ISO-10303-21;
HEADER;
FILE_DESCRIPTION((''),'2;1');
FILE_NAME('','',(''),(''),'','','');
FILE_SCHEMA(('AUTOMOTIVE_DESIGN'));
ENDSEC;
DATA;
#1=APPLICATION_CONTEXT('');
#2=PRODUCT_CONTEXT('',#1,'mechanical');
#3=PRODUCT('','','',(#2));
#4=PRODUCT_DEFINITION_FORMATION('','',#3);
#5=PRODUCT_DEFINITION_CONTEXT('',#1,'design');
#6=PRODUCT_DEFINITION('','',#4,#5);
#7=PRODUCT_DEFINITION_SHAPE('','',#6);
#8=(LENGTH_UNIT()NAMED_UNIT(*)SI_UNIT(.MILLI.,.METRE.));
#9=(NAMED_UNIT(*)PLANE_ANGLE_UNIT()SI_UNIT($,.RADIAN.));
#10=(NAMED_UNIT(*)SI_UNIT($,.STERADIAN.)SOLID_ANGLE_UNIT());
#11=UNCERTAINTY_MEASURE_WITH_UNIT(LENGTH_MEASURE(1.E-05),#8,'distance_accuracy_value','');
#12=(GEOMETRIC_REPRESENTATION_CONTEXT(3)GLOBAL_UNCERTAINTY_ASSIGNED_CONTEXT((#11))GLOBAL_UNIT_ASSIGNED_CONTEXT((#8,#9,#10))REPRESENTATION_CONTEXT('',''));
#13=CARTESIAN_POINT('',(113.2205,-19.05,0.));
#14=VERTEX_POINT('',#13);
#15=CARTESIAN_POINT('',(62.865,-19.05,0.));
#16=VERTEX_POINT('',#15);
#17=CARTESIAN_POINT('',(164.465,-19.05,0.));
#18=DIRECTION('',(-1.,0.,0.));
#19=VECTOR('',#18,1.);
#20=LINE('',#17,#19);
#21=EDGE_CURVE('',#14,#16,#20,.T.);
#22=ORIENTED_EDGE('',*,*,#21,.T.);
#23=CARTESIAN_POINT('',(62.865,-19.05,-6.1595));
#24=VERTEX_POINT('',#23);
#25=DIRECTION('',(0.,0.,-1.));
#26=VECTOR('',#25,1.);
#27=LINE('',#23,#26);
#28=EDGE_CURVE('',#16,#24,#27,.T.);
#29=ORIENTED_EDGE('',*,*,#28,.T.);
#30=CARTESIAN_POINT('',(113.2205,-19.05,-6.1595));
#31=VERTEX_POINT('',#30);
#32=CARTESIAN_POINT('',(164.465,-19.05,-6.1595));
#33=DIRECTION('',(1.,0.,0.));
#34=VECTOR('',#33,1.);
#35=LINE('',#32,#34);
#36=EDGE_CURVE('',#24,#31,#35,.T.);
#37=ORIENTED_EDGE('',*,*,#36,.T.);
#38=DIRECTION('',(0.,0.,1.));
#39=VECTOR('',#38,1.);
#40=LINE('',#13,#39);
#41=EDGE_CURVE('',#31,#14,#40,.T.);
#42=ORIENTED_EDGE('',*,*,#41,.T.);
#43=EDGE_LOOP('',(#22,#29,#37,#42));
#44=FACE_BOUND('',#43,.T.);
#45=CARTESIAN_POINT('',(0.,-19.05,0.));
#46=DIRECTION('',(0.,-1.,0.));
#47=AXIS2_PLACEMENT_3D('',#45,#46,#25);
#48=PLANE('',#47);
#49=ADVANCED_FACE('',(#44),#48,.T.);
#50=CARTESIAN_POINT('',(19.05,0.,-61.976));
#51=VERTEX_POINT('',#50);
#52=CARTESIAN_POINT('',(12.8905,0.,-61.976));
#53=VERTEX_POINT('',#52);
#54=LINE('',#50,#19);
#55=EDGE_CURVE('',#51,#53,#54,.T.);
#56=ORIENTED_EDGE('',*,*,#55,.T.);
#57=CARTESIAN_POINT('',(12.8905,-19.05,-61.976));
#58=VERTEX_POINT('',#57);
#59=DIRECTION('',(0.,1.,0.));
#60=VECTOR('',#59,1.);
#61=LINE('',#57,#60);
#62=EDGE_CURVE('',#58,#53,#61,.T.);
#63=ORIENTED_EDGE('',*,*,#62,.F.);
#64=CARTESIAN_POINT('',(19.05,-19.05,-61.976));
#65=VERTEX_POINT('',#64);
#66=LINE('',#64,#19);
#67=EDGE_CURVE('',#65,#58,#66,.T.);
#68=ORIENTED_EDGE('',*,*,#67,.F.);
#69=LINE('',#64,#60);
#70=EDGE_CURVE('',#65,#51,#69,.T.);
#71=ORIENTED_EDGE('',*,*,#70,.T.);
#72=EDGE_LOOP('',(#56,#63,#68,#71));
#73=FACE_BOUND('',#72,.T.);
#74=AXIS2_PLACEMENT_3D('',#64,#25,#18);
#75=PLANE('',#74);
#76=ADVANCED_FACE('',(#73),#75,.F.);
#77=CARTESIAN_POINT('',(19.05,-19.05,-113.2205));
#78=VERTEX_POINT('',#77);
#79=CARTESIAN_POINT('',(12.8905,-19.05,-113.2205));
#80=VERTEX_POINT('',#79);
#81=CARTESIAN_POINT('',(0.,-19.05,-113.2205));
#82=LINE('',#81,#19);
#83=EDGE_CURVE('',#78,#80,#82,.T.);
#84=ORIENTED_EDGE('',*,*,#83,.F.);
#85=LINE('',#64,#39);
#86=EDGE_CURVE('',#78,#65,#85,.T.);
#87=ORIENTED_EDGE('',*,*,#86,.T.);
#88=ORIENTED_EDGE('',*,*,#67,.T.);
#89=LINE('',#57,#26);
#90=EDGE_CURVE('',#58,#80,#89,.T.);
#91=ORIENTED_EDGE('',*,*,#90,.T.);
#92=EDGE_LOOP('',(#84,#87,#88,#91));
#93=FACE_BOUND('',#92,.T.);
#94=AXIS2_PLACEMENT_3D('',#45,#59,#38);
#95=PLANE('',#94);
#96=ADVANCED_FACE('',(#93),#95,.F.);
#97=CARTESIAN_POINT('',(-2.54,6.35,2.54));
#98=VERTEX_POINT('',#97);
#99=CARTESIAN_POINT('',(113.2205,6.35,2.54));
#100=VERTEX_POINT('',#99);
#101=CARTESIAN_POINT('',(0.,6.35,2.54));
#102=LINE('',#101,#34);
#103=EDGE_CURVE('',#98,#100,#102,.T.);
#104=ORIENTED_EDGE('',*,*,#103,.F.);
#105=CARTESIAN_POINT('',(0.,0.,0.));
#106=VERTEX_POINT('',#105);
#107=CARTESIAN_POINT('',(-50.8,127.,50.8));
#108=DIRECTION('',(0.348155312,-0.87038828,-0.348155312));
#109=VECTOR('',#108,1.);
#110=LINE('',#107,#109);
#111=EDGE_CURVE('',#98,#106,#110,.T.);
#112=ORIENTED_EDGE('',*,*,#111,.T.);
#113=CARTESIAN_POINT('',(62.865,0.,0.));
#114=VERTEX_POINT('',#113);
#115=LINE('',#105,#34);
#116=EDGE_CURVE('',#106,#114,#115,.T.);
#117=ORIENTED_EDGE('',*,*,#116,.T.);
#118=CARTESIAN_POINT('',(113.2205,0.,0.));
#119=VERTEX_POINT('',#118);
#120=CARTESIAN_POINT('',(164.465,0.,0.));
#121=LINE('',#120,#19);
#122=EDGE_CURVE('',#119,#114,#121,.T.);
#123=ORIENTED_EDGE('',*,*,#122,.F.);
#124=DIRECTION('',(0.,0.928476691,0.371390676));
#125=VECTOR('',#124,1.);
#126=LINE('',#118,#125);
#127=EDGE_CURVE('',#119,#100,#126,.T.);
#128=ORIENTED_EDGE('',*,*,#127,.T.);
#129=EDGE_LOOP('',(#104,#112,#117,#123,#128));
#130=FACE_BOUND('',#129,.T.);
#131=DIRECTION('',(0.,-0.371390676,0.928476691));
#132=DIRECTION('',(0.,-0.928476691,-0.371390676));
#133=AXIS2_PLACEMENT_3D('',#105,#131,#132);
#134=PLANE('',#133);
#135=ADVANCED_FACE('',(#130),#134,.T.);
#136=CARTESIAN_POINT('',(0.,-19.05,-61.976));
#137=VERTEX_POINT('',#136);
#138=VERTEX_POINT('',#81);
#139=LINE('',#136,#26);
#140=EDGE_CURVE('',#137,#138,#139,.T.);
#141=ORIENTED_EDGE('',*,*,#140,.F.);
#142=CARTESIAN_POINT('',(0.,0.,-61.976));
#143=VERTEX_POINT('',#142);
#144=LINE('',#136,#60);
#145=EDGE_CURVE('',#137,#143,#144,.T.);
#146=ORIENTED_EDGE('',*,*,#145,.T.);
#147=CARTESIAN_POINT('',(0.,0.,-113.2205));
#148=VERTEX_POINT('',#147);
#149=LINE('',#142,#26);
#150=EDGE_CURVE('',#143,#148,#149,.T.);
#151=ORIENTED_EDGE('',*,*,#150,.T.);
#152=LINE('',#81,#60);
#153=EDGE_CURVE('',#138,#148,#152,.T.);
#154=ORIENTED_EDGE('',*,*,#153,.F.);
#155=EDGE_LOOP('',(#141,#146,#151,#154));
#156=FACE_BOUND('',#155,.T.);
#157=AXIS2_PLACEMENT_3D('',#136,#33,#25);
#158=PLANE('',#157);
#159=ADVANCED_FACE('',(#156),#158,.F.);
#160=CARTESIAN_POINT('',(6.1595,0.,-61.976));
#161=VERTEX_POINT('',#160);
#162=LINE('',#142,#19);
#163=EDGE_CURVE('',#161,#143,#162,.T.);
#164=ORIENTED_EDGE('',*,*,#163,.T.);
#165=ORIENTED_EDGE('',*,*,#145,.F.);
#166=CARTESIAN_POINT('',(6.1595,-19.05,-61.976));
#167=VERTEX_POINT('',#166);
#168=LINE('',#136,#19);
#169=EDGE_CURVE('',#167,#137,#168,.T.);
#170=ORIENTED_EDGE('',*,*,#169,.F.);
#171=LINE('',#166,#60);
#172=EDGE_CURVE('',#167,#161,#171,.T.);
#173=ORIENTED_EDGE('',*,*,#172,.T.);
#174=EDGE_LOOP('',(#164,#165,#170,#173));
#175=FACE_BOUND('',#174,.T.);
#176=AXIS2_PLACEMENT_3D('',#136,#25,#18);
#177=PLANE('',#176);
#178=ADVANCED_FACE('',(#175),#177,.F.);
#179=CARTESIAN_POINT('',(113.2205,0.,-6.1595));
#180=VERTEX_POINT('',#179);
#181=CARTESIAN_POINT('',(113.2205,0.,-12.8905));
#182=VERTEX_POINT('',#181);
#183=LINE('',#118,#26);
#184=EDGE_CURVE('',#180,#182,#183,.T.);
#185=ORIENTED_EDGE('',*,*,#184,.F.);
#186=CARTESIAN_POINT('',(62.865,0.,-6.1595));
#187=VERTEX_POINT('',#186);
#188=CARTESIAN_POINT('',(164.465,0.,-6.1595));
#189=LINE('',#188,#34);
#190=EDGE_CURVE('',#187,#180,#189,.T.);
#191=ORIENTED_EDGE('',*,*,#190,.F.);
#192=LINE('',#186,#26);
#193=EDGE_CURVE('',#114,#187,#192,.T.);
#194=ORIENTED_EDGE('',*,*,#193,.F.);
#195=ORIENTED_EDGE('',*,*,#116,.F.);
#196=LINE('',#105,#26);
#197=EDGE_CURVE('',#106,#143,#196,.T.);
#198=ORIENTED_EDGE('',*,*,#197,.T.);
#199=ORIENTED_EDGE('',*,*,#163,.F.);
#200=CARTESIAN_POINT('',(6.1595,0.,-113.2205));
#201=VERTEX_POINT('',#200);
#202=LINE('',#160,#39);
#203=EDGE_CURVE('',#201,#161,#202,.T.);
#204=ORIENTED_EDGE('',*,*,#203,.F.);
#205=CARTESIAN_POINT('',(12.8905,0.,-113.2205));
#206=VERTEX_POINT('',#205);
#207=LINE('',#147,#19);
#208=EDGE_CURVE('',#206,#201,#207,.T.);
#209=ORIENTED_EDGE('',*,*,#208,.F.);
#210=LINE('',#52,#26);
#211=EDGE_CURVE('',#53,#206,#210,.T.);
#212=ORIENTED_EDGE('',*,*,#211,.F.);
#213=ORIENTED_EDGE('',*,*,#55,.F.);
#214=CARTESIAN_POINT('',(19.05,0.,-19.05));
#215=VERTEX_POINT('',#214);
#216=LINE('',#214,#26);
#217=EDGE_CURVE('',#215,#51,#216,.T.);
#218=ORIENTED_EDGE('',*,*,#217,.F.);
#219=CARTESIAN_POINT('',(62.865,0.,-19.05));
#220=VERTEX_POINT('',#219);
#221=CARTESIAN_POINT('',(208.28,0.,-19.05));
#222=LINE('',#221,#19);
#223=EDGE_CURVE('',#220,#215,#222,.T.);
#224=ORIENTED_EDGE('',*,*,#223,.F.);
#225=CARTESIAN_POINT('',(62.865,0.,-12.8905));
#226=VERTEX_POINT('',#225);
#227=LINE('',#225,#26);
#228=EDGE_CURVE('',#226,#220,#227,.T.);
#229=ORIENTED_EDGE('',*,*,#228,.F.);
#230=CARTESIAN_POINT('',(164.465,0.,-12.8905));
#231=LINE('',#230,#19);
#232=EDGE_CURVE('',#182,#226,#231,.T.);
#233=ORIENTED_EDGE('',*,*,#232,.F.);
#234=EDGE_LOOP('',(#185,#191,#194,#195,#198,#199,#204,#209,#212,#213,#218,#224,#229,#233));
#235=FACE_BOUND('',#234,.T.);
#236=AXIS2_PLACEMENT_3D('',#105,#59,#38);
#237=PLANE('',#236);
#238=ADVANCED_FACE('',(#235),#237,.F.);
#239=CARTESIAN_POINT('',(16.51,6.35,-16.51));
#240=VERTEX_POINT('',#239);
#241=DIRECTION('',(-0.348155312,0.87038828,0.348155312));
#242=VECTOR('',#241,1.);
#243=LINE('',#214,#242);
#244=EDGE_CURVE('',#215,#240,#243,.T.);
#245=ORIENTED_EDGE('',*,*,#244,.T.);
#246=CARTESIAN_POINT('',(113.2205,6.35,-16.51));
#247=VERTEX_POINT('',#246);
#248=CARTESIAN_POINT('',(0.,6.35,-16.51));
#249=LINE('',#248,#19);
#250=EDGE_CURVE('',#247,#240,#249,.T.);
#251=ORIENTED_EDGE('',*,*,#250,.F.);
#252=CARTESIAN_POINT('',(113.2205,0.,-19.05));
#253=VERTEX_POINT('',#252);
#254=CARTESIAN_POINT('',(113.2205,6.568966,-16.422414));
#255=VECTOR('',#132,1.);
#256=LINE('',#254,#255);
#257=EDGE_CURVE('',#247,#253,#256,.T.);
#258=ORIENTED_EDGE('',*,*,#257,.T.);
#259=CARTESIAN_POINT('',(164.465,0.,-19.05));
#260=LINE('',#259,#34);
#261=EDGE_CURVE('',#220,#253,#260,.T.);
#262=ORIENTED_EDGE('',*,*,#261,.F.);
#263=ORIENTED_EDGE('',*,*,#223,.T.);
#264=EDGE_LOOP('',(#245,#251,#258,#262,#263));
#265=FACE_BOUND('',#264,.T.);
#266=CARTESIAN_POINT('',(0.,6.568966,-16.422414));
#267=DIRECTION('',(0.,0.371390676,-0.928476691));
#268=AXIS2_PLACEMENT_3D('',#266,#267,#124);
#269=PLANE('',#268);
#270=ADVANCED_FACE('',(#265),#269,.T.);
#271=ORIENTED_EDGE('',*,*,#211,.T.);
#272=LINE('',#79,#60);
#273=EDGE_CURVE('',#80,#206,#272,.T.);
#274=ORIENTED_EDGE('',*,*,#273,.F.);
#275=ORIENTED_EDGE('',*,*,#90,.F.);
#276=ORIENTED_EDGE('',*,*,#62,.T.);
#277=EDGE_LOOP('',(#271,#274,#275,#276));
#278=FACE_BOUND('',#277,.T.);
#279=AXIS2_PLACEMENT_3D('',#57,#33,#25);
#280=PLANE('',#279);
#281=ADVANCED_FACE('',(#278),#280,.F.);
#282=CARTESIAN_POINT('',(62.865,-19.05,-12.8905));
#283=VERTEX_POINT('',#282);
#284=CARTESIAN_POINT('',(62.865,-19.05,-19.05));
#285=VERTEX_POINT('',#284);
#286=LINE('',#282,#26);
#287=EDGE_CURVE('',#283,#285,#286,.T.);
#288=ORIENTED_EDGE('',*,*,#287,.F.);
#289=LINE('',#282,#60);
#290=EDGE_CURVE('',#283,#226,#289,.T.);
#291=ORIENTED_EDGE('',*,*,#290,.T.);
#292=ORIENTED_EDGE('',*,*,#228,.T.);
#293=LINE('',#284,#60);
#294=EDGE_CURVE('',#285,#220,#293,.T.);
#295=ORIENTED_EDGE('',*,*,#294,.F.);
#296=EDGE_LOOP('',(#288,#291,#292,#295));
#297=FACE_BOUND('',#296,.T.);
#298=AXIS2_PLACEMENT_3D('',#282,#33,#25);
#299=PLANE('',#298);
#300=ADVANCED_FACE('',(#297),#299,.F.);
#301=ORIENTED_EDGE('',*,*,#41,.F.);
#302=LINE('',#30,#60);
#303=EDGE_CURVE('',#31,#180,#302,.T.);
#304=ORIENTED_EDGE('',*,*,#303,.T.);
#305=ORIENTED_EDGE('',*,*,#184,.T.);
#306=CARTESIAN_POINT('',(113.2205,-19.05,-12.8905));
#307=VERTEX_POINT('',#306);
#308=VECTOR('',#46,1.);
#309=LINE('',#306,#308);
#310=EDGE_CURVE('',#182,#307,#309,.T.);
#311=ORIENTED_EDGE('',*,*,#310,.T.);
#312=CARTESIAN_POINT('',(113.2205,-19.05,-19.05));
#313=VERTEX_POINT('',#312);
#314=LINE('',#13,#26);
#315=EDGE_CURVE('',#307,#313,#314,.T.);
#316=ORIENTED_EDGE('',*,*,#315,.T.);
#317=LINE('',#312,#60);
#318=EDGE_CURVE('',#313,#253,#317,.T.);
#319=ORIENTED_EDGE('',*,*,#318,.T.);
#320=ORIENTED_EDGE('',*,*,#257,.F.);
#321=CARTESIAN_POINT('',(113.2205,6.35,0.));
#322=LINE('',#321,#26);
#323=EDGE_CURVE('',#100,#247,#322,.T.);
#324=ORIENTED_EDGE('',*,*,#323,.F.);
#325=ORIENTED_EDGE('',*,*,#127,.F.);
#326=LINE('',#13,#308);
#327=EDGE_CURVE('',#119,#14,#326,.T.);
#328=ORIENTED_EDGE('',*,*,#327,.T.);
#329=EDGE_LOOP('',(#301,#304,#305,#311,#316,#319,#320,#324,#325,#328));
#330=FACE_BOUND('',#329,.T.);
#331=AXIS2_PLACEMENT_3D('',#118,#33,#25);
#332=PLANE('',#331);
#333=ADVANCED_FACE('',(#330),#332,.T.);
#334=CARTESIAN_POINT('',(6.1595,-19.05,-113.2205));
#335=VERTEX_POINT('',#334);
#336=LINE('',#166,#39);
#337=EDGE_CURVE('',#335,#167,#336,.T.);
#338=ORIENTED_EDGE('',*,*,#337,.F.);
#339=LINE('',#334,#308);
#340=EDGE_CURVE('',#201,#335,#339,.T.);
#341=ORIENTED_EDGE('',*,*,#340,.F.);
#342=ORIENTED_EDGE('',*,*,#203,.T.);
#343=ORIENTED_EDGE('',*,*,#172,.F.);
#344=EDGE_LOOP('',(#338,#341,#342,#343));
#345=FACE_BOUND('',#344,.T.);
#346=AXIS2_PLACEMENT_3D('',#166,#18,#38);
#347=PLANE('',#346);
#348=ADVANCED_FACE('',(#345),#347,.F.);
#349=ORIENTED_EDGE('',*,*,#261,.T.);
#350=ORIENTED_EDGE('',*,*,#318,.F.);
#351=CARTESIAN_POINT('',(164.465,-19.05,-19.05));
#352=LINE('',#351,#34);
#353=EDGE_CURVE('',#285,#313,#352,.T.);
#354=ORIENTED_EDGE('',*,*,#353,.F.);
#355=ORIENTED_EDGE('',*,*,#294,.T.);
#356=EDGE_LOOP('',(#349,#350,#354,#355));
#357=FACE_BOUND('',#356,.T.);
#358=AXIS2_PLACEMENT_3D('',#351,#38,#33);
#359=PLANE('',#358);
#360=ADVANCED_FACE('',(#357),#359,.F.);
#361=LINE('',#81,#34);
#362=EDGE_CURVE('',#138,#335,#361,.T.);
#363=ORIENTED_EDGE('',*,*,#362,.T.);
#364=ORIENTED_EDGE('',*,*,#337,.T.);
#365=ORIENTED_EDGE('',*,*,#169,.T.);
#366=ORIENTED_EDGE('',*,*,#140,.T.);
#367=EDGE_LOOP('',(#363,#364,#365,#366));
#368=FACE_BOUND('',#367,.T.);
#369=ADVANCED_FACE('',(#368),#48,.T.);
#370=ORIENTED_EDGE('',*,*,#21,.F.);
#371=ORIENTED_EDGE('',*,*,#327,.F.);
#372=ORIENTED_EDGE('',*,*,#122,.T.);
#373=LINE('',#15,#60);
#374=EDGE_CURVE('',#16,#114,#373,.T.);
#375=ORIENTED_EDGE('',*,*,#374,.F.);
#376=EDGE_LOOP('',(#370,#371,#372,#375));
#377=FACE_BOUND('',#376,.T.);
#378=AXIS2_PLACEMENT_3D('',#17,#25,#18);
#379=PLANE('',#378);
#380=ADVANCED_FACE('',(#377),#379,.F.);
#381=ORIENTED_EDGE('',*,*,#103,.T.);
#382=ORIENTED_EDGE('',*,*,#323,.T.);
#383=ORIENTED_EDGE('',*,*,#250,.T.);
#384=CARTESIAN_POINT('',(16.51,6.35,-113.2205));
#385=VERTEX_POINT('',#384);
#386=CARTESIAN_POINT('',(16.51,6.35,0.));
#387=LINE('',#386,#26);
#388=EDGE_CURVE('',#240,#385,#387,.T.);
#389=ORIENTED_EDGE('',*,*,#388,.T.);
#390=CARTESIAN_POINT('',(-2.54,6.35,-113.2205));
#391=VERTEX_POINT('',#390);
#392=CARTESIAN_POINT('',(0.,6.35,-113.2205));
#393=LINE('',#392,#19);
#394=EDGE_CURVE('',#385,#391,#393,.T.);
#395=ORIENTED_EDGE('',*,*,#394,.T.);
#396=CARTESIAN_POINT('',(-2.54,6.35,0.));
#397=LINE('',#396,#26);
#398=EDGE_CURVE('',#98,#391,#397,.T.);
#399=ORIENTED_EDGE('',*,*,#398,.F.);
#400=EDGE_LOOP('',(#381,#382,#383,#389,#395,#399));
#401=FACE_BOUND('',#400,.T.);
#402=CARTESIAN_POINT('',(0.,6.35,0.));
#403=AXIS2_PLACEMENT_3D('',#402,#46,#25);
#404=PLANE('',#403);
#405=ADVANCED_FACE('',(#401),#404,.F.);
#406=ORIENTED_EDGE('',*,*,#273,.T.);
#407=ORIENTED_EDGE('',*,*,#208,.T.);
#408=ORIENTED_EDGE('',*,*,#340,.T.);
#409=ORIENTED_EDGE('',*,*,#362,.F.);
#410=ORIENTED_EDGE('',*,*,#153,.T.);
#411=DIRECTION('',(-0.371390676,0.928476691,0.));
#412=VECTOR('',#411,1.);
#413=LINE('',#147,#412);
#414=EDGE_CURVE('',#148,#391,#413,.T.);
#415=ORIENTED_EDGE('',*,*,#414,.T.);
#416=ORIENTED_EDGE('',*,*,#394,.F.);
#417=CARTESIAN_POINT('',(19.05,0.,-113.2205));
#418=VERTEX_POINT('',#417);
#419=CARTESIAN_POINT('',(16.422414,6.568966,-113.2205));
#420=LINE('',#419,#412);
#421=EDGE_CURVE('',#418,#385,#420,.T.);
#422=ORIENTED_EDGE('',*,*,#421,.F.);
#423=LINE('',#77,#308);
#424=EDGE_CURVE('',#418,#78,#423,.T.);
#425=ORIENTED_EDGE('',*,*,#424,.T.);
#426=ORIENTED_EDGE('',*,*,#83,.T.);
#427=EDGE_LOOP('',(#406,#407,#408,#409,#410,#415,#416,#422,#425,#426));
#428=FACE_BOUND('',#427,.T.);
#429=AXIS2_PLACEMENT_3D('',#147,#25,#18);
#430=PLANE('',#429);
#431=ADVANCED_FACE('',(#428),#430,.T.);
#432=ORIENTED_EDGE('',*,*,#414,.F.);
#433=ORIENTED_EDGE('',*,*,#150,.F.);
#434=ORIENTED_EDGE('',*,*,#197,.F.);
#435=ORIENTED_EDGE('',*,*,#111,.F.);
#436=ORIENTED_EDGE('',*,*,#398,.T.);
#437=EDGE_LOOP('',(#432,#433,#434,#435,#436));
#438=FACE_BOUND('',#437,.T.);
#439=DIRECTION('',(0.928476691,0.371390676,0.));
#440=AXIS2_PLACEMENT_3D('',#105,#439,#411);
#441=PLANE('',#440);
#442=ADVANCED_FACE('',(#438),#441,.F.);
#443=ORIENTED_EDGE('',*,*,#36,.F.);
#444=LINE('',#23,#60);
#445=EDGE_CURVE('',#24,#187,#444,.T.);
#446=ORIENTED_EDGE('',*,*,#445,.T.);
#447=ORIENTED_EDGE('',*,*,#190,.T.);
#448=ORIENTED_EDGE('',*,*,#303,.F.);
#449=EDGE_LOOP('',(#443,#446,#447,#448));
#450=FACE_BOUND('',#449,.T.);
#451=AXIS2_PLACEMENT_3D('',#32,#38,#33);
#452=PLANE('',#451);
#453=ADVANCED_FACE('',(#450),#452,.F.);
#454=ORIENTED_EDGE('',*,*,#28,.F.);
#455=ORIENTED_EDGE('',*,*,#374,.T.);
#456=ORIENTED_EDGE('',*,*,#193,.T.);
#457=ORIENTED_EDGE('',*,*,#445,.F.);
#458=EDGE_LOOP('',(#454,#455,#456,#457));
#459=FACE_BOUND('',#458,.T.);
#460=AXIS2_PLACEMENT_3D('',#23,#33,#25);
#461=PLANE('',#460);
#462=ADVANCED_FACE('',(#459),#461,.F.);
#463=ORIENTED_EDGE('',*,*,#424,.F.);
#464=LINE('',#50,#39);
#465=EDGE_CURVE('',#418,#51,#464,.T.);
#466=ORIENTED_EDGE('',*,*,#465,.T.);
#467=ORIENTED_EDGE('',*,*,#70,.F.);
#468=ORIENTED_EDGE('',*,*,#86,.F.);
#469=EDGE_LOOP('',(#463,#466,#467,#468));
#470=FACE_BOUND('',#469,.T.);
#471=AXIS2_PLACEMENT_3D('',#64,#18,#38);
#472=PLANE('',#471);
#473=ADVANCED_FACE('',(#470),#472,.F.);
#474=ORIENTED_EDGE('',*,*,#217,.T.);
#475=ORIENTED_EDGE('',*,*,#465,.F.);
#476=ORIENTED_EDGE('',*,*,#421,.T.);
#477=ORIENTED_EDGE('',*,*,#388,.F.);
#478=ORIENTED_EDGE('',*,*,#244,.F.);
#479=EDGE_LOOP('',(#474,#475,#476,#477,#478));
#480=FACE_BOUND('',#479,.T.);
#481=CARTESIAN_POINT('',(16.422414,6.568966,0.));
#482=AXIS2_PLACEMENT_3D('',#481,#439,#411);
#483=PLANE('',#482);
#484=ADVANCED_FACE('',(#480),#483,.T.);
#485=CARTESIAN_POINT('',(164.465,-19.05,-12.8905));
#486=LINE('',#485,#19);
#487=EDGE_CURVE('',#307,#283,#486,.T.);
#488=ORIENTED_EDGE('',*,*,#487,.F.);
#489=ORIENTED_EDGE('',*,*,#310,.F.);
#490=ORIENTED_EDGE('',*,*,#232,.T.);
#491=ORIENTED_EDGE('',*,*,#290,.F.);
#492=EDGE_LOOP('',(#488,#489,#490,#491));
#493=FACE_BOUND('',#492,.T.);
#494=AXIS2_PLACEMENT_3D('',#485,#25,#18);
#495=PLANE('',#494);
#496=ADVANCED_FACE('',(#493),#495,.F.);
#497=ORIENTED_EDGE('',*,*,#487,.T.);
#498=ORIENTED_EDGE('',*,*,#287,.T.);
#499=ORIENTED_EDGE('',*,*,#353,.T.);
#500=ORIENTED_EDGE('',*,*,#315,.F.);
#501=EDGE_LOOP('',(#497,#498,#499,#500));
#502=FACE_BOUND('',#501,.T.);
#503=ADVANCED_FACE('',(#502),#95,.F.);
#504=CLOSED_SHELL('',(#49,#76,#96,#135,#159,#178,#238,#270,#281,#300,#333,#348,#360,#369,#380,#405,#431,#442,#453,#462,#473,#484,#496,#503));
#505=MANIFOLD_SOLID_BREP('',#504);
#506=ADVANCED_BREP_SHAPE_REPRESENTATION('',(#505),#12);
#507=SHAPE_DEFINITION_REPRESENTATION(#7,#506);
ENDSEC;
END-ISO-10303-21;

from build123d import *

# Parameters (mm, degrees)
SKETCH5_W           = 6.1595
SKETCH5_H           = 101.6
SKETCH5_W_2         = 101.6
SKETCH5_H_2         = 6.1595
BOSS_EXTRUDE1_DEPTH = 19.05
SKETCH6_W           = 333.025633445
SKETCH6_H           = 150.821732437
CUT_EXTRUDE1_DEPTH  = 205.486
SKETCH7_W           = 172.839732196
SKETCH7_H           = 155.996881263
CUT_EXTRUDE2_DEPTH  = 205.486
SKETCH8_W           = 181.528793167
SKETCH8_H           = 183.344081098
CUT_EXTRUDE3_DEPTH  = 147.066


with BuildPart() as part:
    # Sketch2 → Loft1 section 0
    with BuildSketch(Plane(origin=(0, 127, 0), x_dir=(1, 0, 0), z_dir=(0, 1, 0))):
        with BuildLine():
            Line((-50.8, -50.8), (278.13, -50.8))
            Line((278.13, -50.8), (278.13, 276.352))
            Line((278.13, 276.352), (-50.8, 276.352))
            Line((-50.8, 276.352), (-50.8, -50.8))
        make_face()
    # Sketch1 → Loft1 section 1
    with BuildSketch(Plane(origin=(0, 0, 0), x_dir=(1, 0, 0), z_dir=(0, 1, 0))):
        with BuildLine():
            Line((0, 0), (227.33, 0))
            Line((227.33, 0), (227.33, 225.552))
            Line((227.33, 225.552), (0, 225.552))
            Line((0, 225.552), (0, 0))
        make_face()
    loft()

    # Sketch4 → Cut-Loft3 section 0
    with BuildSketch(Plane.XZ):
        with BuildLine():
            Line((208.28, -19.05), (19.05, -19.05))
            Line((19.05, -19.05), (19.05, -206.502))
            Line((19.05, -206.502), (208.28, -206.502))
            Line((208.28, -206.502), (208.28, -19.05))
        make_face()
    # Sketch3 → Cut-Loft3 section 1
    with BuildSketch(Plane(origin=(0, 127, 0), x_dir=(1, 0, 0), z_dir=(0, 1, 0))):
        with BuildLine():
            Line((-31.75, 257.302), (-31.75, -31.75))
            Line((-31.75, -31.75), (259.08, -31.75))
            Line((259.08, -31.75), (259.08, 257.302))
            Line((259.08, 257.302), (-31.75, 257.302))
        make_face()
    loft(mode=Mode.SUBTRACT)

    # Sketch5 → Boss-Extrude1 (add)
    with BuildSketch(Plane.XZ):
        with Locations((3.07975, -112.776)):
            Rectangle(SKETCH5_W, SKETCH5_H)
        with Locations((15.97025, -112.776)):
            Rectangle(SKETCH5_W, SKETCH5_H)
        with Locations((113.665, -3.07975)):
            Rectangle(SKETCH5_W_2, SKETCH5_H_2)
        with Locations((113.665, -15.97025)):
            Rectangle(SKETCH5_W_2, SKETCH5_H_2)
        with Locations((223.36125, -113.665)):
            Rectangle(SKETCH5_W, SKETCH5_H)
        with Locations((210.47075, -113.665)):
            Rectangle(SKETCH5_W, SKETCH5_H)
        with Locations((112.776, -223.36125)):
            Rectangle(SKETCH5_W_2, SKETCH5_H_2)
        with Locations((112.776, -210.47075)):
            Rectangle(SKETCH5_W_2, SKETCH5_H_2)
    extrude(amount=BOSS_EXTRUDE1_DEPTH)

    # Sketch6 → Cut-Extrude1 (cut)
    with BuildSketch(Plane.XY.offset(-113.2205)):
        with Locations((111.617183278, 51.589133782)):
            Rectangle(SKETCH6_W, SKETCH6_H)
    extrude(amount=-CUT_EXTRUDE1_DEPTH, mode=Mode.SUBTRACT)

    # Sketch7 → Cut-Extrude2 (cut)
    with BuildSketch(Plane.ZY.offset(-113.2205)):
        with Locations((-29.906934154, 52.245596061)):
            Rectangle(SKETCH7_W, SKETCH7_H)
    extrude(amount=-CUT_EXTRUDE2_DEPTH, mode=Mode.SUBTRACT)

    # Sketch8 → Cut-Extrude3 (cut)
    with BuildSketch(Plane(origin=(0, 6.35, 0), x_dir=(-1, 0, 0), z_dir=(0, -1, 0))):
        with Locations((-25.634722782, 25.303882613)):
            Rectangle(SKETCH8_W, SKETCH8_H)
    extrude(amount=-CUT_EXTRUDE3_DEPTH, mode=Mode.SUBTRACT)


solid = part.part
